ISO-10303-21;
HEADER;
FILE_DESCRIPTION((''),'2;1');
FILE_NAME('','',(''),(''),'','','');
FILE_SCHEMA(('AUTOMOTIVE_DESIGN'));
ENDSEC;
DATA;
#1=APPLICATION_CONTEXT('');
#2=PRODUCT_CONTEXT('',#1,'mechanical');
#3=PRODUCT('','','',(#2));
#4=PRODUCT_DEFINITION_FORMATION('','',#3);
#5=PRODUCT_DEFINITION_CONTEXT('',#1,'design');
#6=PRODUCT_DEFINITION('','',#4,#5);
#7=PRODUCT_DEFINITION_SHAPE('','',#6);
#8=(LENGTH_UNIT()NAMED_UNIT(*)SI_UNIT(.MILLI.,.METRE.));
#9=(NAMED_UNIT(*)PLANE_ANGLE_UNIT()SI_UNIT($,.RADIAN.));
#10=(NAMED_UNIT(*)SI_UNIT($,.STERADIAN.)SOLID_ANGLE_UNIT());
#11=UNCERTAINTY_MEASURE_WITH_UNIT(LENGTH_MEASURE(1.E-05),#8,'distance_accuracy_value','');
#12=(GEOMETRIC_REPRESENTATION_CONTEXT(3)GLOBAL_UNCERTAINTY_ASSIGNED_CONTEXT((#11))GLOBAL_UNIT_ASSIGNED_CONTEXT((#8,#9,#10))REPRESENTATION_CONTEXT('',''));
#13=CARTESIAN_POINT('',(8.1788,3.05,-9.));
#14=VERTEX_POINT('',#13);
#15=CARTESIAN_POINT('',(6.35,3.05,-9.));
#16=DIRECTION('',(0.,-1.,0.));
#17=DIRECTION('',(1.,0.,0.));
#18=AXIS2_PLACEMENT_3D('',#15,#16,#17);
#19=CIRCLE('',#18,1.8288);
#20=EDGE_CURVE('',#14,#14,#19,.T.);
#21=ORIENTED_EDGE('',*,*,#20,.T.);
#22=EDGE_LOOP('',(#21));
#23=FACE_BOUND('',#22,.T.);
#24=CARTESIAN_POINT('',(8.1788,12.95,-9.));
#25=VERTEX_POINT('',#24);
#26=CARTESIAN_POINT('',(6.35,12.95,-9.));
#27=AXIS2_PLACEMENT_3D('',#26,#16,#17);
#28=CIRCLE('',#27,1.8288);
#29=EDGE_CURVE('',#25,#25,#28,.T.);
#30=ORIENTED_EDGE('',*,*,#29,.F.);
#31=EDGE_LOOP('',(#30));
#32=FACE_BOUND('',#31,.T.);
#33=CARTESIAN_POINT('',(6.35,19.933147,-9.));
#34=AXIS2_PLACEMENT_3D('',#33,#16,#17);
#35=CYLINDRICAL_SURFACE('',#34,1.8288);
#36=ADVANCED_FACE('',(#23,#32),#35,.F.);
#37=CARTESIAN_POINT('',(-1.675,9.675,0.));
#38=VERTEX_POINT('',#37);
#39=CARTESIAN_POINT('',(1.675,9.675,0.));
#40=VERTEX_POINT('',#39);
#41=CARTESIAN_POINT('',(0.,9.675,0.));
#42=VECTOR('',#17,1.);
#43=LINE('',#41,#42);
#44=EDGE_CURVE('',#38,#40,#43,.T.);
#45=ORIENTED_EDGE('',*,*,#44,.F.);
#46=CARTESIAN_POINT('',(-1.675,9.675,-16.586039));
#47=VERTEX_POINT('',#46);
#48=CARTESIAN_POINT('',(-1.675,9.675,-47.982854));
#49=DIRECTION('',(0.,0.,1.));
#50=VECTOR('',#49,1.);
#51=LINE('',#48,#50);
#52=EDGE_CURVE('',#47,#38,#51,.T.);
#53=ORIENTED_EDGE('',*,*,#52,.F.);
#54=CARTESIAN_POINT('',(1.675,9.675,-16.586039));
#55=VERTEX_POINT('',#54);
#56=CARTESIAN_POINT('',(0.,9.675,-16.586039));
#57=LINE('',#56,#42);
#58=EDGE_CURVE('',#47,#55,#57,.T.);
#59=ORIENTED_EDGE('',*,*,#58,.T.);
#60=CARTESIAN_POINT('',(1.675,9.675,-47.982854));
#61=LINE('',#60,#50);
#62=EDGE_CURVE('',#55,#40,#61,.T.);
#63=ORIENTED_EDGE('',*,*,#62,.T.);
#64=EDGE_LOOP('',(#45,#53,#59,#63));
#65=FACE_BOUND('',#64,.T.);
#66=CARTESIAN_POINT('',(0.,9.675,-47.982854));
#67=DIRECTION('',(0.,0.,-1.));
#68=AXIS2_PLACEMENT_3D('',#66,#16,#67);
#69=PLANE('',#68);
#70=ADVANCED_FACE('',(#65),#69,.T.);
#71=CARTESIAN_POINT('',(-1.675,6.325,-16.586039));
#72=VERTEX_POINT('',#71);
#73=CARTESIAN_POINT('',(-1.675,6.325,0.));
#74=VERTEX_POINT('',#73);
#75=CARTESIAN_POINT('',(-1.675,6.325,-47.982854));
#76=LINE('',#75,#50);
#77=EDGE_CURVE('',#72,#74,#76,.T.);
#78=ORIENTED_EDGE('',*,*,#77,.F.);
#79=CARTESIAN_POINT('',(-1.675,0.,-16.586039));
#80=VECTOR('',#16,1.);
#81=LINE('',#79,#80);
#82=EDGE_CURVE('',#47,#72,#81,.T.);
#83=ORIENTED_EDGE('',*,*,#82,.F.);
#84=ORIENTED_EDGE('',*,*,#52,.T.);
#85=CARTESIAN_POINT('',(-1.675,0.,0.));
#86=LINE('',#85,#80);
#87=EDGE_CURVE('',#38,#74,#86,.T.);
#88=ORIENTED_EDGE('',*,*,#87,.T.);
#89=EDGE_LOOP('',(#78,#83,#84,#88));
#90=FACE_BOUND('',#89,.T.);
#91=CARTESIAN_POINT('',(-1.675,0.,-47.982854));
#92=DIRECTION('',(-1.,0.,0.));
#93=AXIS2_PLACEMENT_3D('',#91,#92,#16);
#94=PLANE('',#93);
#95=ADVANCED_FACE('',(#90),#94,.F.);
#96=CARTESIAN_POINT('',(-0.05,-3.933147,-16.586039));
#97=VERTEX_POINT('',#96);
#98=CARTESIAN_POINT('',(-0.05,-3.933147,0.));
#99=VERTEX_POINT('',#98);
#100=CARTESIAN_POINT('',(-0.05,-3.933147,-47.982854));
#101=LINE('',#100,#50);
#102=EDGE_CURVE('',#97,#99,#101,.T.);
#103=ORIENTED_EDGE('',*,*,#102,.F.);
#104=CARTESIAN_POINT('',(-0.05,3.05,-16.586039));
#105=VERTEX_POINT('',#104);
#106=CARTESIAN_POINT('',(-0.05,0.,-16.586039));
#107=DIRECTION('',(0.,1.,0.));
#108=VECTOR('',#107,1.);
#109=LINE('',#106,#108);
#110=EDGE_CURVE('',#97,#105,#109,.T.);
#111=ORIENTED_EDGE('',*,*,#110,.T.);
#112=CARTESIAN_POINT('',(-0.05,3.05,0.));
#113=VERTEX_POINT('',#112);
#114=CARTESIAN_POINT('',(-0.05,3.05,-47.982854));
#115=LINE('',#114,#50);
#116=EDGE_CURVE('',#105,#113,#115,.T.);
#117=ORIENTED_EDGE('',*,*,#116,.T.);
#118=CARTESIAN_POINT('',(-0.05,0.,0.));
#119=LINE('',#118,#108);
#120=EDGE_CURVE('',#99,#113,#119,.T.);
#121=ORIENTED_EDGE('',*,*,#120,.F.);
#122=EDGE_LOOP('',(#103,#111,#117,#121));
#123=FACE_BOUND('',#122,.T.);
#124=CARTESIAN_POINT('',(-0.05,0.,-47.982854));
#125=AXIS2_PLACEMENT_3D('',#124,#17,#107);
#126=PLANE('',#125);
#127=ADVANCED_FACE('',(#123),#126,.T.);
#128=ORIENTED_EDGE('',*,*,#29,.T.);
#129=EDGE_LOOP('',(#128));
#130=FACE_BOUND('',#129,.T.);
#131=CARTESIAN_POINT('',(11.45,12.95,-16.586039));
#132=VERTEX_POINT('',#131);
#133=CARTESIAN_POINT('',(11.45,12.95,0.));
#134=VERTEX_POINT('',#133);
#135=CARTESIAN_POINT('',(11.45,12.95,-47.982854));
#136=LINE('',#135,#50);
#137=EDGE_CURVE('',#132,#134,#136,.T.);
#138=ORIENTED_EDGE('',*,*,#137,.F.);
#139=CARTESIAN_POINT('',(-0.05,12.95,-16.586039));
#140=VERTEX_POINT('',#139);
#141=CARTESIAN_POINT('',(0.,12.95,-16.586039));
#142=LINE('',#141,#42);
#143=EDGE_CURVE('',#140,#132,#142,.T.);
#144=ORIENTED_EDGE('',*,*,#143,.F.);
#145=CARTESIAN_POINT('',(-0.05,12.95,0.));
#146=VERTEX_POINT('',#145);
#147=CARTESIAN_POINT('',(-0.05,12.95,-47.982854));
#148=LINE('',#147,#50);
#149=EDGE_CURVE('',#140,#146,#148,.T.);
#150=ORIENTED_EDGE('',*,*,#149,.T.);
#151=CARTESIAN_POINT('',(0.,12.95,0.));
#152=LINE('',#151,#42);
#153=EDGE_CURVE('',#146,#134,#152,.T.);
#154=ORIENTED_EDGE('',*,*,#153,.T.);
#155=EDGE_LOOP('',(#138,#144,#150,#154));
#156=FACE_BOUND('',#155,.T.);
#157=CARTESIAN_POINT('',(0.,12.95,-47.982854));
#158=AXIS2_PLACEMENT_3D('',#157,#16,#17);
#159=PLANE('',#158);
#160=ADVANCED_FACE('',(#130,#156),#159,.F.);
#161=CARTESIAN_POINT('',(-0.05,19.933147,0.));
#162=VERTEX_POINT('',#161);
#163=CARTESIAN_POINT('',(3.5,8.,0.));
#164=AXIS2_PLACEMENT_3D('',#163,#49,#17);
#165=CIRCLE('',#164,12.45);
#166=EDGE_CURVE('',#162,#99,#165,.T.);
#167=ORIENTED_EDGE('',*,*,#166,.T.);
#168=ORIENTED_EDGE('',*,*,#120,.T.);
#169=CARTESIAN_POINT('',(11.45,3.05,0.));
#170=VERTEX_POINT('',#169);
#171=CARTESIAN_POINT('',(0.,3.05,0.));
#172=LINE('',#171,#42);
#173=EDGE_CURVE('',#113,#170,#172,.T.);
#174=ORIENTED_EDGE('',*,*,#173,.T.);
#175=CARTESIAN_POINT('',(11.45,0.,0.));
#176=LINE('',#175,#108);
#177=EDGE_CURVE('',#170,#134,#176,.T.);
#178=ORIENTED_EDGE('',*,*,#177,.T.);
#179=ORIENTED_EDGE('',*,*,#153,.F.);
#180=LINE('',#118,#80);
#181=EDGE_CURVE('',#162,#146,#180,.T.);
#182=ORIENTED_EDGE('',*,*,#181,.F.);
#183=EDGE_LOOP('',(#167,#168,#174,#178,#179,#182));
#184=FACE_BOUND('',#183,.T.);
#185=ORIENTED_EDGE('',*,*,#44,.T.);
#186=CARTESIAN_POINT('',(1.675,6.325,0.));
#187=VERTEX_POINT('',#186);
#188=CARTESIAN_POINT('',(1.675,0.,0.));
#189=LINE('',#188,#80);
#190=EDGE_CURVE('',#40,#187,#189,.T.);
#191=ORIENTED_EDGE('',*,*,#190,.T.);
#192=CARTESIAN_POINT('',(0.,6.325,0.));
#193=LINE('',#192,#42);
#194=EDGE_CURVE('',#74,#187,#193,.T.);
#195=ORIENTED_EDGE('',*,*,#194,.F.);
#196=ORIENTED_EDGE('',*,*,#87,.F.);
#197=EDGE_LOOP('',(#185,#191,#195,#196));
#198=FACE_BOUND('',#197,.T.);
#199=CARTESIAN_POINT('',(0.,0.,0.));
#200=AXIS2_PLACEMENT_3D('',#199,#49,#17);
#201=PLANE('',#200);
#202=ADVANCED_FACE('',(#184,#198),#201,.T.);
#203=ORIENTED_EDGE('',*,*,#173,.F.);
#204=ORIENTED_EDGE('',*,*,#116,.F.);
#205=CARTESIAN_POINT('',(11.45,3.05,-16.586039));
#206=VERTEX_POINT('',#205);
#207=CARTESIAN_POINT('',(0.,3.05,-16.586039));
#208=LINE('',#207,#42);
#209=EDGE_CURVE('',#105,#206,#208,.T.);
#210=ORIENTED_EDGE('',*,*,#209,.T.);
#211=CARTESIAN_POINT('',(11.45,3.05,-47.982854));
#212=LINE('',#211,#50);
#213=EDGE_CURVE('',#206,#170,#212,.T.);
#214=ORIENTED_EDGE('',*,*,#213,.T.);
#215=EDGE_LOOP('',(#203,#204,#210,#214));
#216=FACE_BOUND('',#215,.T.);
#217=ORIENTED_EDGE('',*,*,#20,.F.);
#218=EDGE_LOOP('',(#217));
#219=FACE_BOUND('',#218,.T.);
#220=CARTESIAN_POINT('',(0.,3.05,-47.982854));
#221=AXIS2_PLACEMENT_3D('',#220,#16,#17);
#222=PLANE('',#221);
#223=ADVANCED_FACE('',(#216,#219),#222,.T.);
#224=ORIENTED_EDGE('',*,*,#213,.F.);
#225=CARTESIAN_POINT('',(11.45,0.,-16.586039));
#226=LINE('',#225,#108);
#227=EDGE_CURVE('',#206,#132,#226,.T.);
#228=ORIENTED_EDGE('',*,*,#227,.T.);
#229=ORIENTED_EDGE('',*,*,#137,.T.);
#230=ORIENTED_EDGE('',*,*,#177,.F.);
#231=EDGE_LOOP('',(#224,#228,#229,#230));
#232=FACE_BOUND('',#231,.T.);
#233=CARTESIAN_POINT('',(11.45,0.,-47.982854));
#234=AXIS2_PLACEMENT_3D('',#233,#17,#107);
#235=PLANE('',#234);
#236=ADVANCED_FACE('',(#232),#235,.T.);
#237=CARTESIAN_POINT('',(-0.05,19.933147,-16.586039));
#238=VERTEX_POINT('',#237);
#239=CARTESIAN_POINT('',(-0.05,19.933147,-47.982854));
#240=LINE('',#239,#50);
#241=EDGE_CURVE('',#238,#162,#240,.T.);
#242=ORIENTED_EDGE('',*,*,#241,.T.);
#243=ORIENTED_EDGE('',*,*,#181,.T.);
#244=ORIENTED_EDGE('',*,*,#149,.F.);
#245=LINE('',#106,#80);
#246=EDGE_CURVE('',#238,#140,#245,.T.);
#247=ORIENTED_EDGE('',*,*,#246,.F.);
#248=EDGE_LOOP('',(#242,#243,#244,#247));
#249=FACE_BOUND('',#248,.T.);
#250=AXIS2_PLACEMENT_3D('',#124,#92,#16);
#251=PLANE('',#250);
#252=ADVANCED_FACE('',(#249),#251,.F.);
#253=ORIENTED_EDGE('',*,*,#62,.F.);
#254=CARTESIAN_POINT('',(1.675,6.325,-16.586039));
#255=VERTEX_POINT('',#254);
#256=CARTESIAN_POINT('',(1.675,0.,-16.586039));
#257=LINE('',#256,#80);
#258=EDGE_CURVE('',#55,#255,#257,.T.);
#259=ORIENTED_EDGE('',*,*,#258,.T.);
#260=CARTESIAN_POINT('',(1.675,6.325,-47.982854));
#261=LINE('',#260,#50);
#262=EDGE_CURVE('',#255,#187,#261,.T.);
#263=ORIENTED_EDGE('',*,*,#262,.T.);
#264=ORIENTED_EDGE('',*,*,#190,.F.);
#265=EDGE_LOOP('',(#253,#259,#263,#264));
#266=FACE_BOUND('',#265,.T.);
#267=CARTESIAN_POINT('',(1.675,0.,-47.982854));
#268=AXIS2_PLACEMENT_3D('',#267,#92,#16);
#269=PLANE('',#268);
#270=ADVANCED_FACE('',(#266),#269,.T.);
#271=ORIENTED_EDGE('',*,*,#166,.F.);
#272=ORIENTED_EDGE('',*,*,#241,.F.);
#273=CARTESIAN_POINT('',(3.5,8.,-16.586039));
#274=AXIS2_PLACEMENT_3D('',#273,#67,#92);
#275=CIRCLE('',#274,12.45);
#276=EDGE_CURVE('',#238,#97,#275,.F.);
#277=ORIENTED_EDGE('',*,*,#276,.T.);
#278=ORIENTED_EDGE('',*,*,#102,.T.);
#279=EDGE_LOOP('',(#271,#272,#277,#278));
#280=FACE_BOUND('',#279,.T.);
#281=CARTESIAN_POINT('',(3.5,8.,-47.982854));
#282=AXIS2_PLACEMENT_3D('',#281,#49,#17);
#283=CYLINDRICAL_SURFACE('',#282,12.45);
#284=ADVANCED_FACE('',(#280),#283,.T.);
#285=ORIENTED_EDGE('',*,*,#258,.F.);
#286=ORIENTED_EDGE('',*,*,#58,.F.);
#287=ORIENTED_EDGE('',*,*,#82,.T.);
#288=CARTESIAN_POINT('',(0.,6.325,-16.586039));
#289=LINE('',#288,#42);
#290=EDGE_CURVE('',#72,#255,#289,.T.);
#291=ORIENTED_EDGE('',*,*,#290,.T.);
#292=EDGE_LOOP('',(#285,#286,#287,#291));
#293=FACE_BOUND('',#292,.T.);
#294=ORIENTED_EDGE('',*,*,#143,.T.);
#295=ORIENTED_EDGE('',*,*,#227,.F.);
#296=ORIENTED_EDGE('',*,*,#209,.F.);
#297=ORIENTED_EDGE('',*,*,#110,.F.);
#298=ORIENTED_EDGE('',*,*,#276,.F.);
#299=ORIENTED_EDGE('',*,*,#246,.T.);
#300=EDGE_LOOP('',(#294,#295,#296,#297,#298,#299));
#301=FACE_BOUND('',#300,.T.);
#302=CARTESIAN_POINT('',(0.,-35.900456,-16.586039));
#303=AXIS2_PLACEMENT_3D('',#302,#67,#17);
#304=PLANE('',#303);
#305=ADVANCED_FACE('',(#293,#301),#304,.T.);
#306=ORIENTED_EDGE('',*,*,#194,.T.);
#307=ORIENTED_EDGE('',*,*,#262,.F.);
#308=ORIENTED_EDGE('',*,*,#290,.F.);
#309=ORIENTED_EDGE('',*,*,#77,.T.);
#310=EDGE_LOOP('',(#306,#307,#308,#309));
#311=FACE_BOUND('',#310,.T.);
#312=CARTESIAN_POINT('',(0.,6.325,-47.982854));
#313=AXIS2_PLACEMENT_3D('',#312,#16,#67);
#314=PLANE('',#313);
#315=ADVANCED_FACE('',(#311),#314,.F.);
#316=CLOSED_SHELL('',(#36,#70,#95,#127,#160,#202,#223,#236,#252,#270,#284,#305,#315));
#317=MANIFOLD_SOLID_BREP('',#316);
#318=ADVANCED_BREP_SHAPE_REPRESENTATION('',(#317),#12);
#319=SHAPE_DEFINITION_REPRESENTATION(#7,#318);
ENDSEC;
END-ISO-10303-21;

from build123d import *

# Parameters (mm, degrees)
SKETCH2_W           = 3.35
SKETCH2_H           = 3.35
BOSS_EXTRUDE1_DEPTH = 16.586038969
SKETCH4_R           = 1.8288
CUT_EXTRUDE1_DEPTH  = 27.291440529


with BuildPart() as part:
    # Sketch2 → Boss-Extrude1 (new body)
    with BuildSketch(Plane.XY):
        with BuildLine():
            Line((-0.05, 19.933147112), (-0.05, 12.95))
            Line((-0.05, 12.95), (11.45, 12.95))
            Line((11.45, 12.95), (11.45, 8))
            Line((11.45, 8), (11.45, 3.05))
            Line((11.45, 3.05), (-0.05, 3.05))
            Line((-0.05, 3.05), (-0.05, -3.933147112))
            ThreePointArc((-0.05, -3.933147112), (-8.95, 8), (-0.05, 19.933147112))
        make_face()
        with Locations((0, 8)):
            Rectangle(SKETCH2_W, SKETCH2_H, mode=Mode.SUBTRACT)
    extrude(amount=-BOSS_EXTRUDE1_DEPTH)

    # Sketch4 → Cut-Extrude1 (cut, through all)
    with BuildSketch(Plane.XZ.offset(-3.05)):
        with Locations((6.35, -9)):
            Circle(SKETCH4_R)
    extrude(amount=-CUT_EXTRUDE1_DEPTH, mode=Mode.SUBTRACT)


solid = part.part
